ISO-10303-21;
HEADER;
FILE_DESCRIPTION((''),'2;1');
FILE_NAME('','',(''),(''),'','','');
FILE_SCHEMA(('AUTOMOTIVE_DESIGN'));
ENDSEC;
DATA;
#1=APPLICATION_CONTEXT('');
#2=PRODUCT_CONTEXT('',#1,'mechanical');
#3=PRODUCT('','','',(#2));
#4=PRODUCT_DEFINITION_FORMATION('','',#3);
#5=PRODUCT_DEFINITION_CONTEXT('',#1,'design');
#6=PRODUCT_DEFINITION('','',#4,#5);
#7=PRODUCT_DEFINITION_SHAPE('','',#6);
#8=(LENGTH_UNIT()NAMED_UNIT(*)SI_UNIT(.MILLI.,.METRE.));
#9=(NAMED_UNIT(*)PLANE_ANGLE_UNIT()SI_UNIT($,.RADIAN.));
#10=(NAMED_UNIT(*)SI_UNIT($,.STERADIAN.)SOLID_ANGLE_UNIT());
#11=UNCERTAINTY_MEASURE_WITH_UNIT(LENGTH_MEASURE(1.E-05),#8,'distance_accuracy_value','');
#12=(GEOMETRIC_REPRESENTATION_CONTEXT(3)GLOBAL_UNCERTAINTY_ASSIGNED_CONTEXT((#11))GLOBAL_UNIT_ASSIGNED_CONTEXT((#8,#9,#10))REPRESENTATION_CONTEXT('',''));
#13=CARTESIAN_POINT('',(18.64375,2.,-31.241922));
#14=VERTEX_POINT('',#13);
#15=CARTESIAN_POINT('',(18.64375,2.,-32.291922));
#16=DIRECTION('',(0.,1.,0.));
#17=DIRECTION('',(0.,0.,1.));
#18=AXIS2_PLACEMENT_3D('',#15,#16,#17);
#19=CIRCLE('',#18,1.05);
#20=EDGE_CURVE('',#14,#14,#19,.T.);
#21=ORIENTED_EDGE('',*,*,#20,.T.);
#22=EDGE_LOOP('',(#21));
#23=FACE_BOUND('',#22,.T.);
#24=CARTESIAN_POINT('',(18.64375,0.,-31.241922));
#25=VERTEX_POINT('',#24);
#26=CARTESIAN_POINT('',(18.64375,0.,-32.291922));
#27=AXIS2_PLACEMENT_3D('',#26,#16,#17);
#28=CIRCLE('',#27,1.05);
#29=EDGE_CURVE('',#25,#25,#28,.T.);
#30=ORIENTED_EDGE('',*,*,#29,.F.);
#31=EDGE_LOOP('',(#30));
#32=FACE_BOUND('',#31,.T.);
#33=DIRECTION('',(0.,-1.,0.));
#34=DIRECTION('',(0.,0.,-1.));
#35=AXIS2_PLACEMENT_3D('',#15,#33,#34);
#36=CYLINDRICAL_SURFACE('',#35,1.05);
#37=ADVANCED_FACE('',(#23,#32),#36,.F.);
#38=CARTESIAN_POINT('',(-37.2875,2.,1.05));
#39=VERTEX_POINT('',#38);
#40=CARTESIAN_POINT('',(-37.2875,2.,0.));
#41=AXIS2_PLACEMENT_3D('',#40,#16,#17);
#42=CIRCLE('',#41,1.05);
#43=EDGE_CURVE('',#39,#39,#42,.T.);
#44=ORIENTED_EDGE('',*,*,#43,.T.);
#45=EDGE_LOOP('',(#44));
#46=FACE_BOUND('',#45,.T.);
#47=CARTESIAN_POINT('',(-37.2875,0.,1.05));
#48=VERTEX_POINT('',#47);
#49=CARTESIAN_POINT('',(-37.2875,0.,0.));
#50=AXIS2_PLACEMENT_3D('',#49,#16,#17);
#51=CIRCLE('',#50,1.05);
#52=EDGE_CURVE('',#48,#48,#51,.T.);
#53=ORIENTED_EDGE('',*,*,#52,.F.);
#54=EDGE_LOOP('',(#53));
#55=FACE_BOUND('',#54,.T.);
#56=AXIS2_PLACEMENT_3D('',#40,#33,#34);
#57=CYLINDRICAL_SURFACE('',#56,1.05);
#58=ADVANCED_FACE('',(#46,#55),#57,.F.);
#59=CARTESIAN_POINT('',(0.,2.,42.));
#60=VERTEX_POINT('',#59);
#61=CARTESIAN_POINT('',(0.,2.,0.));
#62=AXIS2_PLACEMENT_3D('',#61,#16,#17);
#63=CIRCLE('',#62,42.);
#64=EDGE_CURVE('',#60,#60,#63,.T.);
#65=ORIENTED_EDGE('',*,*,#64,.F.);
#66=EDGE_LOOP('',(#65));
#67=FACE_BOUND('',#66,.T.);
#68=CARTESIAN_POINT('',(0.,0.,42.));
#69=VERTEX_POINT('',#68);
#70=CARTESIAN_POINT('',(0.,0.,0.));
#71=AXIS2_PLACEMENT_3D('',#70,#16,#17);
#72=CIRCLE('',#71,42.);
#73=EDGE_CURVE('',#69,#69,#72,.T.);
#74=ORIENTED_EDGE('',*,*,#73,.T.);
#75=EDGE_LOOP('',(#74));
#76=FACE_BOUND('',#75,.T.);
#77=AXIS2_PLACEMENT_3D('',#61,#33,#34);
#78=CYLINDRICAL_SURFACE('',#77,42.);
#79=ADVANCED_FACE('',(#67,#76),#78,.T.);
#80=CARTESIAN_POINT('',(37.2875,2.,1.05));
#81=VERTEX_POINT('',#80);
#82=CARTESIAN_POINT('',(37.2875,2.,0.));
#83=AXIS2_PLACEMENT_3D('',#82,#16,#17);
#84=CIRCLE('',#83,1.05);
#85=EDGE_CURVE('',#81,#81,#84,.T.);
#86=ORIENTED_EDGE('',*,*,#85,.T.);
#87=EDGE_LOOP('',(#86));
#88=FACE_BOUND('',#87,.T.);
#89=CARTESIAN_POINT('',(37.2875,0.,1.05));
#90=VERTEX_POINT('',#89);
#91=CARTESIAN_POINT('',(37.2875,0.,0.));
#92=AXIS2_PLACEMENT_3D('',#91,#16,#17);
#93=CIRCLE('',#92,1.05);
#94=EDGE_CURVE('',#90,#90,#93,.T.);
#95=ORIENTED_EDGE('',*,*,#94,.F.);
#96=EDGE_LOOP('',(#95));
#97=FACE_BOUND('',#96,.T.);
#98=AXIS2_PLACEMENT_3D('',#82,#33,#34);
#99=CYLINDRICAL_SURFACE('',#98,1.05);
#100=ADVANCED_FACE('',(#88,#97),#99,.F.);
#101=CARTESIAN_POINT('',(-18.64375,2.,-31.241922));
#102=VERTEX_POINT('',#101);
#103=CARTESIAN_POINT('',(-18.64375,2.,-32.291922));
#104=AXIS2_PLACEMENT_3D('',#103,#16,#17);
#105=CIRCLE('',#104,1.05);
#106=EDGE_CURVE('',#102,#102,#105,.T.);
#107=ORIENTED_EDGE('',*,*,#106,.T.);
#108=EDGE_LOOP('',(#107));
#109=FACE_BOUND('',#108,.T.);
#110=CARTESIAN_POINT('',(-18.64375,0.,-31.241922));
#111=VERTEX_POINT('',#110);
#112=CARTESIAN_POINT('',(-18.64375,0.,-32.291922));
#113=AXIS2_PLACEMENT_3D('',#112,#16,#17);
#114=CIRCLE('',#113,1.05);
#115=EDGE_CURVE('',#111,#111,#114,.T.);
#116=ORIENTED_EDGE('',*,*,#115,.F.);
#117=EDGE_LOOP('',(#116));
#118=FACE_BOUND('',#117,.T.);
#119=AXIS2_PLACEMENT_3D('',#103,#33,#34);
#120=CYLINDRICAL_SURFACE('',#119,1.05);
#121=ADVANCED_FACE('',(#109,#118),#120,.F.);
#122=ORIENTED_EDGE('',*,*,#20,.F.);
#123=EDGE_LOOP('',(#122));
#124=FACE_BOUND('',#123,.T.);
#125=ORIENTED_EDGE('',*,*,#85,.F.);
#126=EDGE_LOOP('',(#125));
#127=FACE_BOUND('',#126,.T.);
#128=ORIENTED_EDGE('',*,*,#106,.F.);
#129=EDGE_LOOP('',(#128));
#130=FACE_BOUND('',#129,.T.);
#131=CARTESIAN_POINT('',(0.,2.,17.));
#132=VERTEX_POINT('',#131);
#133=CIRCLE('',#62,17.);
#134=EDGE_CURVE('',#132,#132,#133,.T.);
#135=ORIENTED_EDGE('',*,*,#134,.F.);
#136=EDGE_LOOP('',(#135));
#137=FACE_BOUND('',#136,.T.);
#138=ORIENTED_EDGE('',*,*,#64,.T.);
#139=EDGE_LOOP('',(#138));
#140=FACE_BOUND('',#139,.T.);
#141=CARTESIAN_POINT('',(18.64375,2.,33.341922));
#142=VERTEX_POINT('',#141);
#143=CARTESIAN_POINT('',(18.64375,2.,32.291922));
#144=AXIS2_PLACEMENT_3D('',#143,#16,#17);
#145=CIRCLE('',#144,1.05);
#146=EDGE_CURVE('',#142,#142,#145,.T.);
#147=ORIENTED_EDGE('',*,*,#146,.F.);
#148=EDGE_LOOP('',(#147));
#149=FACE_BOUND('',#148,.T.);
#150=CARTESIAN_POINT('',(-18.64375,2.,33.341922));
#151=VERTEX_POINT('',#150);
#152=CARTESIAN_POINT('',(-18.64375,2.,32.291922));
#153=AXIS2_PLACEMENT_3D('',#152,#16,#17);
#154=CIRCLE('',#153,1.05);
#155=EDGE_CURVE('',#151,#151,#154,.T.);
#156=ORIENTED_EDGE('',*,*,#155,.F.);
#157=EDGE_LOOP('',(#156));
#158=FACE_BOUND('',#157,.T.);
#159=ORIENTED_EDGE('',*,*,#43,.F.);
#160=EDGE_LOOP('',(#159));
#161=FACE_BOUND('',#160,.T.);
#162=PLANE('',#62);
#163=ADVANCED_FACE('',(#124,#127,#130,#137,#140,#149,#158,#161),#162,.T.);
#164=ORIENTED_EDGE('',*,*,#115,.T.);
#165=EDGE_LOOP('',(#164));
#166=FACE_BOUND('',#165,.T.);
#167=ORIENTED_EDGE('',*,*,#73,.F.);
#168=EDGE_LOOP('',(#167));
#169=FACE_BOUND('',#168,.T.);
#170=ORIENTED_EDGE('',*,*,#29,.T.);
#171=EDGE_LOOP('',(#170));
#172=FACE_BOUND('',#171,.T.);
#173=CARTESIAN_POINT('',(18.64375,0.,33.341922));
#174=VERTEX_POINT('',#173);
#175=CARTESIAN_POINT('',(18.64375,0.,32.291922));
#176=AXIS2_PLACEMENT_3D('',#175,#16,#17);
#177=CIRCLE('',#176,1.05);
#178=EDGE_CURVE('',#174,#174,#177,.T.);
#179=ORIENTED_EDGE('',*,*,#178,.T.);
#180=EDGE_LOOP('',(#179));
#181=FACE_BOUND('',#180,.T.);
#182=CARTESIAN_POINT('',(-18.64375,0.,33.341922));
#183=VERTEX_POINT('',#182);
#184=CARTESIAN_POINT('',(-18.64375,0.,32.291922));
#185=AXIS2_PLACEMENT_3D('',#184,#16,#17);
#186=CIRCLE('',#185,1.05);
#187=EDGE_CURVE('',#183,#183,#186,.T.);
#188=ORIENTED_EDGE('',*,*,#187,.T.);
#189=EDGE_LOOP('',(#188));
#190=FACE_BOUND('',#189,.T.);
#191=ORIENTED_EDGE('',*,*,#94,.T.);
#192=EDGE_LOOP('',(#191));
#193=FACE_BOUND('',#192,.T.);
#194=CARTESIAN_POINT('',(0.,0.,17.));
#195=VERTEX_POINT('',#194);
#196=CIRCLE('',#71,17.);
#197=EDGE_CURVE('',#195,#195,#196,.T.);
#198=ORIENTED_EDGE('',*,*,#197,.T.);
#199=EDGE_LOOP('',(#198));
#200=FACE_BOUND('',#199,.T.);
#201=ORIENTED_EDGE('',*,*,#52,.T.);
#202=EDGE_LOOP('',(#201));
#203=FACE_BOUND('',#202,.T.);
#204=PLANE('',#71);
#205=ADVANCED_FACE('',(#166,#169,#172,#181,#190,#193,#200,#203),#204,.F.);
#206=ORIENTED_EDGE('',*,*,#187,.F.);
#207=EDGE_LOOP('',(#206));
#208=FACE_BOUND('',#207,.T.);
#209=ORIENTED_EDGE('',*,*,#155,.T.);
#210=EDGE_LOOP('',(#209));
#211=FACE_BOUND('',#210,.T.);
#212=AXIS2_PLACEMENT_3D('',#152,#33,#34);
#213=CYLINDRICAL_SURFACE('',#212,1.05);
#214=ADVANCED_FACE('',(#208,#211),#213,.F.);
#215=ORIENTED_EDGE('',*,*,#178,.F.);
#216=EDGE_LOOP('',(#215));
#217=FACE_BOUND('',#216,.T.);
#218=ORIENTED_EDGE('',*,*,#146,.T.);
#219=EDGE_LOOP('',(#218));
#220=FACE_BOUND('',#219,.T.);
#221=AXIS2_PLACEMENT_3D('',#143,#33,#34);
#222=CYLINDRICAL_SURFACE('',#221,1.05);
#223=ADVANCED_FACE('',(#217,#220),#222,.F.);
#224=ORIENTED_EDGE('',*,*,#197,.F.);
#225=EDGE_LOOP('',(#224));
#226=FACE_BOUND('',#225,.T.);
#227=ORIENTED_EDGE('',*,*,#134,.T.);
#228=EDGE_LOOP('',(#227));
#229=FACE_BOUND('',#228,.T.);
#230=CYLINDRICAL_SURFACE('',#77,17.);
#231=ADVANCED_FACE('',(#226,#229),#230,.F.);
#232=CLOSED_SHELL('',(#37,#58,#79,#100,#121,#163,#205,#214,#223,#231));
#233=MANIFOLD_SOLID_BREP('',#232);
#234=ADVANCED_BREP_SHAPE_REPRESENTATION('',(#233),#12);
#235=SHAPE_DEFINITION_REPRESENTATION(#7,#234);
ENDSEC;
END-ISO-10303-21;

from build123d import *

# Parameters (mm, degrees)
SKETCH2_R           = 42
SKETCH2_R_2         = 1.05
SKETCH2_R_3         = 17
BOSS_EXTRUDE1_DEPTH = 2


with BuildPart() as part:
    # Sketch2 → Boss-Extrude1 (new body)
    with BuildSketch(Plane(origin=(0, 0, 0), x_dir=(1, 0, 0), z_dir=(0, 1, 0))):
        with Locations(Location((0, 0, 0), (0, 0, 270))):
            Circle(SKETCH2_R)
        with Locations(Location((-37.2875, 0, 0), (0, 0, 270))):
            Circle(SKETCH2_R_2, mode=Mode.SUBTRACT)
        with Locations(Location((-18.64375, 32.291922244, 0), (0, 0, 270))):
            Circle(SKETCH2_R_2, mode=Mode.SUBTRACT)
        with Locations(Location((18.64375, 32.291922244, 0), (0, 0, 270))):
            Circle(SKETCH2_R_2, mode=Mode.SUBTRACT)
        with Locations(Location((37.2875, 0, 0), (0, 0, 270))):
            Circle(SKETCH2_R_2, mode=Mode.SUBTRACT)
        with Locations(Location((18.64375, -32.291922244, 0), (0, 0, 270))):
            Circle(SKETCH2_R_2, mode=Mode.SUBTRACT)
        with Locations(Location((-18.64375, -32.291922244, 0), (0, 0, 270))):
            Circle(SKETCH2_R_2, mode=Mode.SUBTRACT)
        with Locations(Location((0, 0, 0), (0, 0, 270))):
            Circle(SKETCH2_R_3, mode=Mode.SUBTRACT)
    extrude(amount=BOSS_EXTRUDE1_DEPTH)


solid = part.part
